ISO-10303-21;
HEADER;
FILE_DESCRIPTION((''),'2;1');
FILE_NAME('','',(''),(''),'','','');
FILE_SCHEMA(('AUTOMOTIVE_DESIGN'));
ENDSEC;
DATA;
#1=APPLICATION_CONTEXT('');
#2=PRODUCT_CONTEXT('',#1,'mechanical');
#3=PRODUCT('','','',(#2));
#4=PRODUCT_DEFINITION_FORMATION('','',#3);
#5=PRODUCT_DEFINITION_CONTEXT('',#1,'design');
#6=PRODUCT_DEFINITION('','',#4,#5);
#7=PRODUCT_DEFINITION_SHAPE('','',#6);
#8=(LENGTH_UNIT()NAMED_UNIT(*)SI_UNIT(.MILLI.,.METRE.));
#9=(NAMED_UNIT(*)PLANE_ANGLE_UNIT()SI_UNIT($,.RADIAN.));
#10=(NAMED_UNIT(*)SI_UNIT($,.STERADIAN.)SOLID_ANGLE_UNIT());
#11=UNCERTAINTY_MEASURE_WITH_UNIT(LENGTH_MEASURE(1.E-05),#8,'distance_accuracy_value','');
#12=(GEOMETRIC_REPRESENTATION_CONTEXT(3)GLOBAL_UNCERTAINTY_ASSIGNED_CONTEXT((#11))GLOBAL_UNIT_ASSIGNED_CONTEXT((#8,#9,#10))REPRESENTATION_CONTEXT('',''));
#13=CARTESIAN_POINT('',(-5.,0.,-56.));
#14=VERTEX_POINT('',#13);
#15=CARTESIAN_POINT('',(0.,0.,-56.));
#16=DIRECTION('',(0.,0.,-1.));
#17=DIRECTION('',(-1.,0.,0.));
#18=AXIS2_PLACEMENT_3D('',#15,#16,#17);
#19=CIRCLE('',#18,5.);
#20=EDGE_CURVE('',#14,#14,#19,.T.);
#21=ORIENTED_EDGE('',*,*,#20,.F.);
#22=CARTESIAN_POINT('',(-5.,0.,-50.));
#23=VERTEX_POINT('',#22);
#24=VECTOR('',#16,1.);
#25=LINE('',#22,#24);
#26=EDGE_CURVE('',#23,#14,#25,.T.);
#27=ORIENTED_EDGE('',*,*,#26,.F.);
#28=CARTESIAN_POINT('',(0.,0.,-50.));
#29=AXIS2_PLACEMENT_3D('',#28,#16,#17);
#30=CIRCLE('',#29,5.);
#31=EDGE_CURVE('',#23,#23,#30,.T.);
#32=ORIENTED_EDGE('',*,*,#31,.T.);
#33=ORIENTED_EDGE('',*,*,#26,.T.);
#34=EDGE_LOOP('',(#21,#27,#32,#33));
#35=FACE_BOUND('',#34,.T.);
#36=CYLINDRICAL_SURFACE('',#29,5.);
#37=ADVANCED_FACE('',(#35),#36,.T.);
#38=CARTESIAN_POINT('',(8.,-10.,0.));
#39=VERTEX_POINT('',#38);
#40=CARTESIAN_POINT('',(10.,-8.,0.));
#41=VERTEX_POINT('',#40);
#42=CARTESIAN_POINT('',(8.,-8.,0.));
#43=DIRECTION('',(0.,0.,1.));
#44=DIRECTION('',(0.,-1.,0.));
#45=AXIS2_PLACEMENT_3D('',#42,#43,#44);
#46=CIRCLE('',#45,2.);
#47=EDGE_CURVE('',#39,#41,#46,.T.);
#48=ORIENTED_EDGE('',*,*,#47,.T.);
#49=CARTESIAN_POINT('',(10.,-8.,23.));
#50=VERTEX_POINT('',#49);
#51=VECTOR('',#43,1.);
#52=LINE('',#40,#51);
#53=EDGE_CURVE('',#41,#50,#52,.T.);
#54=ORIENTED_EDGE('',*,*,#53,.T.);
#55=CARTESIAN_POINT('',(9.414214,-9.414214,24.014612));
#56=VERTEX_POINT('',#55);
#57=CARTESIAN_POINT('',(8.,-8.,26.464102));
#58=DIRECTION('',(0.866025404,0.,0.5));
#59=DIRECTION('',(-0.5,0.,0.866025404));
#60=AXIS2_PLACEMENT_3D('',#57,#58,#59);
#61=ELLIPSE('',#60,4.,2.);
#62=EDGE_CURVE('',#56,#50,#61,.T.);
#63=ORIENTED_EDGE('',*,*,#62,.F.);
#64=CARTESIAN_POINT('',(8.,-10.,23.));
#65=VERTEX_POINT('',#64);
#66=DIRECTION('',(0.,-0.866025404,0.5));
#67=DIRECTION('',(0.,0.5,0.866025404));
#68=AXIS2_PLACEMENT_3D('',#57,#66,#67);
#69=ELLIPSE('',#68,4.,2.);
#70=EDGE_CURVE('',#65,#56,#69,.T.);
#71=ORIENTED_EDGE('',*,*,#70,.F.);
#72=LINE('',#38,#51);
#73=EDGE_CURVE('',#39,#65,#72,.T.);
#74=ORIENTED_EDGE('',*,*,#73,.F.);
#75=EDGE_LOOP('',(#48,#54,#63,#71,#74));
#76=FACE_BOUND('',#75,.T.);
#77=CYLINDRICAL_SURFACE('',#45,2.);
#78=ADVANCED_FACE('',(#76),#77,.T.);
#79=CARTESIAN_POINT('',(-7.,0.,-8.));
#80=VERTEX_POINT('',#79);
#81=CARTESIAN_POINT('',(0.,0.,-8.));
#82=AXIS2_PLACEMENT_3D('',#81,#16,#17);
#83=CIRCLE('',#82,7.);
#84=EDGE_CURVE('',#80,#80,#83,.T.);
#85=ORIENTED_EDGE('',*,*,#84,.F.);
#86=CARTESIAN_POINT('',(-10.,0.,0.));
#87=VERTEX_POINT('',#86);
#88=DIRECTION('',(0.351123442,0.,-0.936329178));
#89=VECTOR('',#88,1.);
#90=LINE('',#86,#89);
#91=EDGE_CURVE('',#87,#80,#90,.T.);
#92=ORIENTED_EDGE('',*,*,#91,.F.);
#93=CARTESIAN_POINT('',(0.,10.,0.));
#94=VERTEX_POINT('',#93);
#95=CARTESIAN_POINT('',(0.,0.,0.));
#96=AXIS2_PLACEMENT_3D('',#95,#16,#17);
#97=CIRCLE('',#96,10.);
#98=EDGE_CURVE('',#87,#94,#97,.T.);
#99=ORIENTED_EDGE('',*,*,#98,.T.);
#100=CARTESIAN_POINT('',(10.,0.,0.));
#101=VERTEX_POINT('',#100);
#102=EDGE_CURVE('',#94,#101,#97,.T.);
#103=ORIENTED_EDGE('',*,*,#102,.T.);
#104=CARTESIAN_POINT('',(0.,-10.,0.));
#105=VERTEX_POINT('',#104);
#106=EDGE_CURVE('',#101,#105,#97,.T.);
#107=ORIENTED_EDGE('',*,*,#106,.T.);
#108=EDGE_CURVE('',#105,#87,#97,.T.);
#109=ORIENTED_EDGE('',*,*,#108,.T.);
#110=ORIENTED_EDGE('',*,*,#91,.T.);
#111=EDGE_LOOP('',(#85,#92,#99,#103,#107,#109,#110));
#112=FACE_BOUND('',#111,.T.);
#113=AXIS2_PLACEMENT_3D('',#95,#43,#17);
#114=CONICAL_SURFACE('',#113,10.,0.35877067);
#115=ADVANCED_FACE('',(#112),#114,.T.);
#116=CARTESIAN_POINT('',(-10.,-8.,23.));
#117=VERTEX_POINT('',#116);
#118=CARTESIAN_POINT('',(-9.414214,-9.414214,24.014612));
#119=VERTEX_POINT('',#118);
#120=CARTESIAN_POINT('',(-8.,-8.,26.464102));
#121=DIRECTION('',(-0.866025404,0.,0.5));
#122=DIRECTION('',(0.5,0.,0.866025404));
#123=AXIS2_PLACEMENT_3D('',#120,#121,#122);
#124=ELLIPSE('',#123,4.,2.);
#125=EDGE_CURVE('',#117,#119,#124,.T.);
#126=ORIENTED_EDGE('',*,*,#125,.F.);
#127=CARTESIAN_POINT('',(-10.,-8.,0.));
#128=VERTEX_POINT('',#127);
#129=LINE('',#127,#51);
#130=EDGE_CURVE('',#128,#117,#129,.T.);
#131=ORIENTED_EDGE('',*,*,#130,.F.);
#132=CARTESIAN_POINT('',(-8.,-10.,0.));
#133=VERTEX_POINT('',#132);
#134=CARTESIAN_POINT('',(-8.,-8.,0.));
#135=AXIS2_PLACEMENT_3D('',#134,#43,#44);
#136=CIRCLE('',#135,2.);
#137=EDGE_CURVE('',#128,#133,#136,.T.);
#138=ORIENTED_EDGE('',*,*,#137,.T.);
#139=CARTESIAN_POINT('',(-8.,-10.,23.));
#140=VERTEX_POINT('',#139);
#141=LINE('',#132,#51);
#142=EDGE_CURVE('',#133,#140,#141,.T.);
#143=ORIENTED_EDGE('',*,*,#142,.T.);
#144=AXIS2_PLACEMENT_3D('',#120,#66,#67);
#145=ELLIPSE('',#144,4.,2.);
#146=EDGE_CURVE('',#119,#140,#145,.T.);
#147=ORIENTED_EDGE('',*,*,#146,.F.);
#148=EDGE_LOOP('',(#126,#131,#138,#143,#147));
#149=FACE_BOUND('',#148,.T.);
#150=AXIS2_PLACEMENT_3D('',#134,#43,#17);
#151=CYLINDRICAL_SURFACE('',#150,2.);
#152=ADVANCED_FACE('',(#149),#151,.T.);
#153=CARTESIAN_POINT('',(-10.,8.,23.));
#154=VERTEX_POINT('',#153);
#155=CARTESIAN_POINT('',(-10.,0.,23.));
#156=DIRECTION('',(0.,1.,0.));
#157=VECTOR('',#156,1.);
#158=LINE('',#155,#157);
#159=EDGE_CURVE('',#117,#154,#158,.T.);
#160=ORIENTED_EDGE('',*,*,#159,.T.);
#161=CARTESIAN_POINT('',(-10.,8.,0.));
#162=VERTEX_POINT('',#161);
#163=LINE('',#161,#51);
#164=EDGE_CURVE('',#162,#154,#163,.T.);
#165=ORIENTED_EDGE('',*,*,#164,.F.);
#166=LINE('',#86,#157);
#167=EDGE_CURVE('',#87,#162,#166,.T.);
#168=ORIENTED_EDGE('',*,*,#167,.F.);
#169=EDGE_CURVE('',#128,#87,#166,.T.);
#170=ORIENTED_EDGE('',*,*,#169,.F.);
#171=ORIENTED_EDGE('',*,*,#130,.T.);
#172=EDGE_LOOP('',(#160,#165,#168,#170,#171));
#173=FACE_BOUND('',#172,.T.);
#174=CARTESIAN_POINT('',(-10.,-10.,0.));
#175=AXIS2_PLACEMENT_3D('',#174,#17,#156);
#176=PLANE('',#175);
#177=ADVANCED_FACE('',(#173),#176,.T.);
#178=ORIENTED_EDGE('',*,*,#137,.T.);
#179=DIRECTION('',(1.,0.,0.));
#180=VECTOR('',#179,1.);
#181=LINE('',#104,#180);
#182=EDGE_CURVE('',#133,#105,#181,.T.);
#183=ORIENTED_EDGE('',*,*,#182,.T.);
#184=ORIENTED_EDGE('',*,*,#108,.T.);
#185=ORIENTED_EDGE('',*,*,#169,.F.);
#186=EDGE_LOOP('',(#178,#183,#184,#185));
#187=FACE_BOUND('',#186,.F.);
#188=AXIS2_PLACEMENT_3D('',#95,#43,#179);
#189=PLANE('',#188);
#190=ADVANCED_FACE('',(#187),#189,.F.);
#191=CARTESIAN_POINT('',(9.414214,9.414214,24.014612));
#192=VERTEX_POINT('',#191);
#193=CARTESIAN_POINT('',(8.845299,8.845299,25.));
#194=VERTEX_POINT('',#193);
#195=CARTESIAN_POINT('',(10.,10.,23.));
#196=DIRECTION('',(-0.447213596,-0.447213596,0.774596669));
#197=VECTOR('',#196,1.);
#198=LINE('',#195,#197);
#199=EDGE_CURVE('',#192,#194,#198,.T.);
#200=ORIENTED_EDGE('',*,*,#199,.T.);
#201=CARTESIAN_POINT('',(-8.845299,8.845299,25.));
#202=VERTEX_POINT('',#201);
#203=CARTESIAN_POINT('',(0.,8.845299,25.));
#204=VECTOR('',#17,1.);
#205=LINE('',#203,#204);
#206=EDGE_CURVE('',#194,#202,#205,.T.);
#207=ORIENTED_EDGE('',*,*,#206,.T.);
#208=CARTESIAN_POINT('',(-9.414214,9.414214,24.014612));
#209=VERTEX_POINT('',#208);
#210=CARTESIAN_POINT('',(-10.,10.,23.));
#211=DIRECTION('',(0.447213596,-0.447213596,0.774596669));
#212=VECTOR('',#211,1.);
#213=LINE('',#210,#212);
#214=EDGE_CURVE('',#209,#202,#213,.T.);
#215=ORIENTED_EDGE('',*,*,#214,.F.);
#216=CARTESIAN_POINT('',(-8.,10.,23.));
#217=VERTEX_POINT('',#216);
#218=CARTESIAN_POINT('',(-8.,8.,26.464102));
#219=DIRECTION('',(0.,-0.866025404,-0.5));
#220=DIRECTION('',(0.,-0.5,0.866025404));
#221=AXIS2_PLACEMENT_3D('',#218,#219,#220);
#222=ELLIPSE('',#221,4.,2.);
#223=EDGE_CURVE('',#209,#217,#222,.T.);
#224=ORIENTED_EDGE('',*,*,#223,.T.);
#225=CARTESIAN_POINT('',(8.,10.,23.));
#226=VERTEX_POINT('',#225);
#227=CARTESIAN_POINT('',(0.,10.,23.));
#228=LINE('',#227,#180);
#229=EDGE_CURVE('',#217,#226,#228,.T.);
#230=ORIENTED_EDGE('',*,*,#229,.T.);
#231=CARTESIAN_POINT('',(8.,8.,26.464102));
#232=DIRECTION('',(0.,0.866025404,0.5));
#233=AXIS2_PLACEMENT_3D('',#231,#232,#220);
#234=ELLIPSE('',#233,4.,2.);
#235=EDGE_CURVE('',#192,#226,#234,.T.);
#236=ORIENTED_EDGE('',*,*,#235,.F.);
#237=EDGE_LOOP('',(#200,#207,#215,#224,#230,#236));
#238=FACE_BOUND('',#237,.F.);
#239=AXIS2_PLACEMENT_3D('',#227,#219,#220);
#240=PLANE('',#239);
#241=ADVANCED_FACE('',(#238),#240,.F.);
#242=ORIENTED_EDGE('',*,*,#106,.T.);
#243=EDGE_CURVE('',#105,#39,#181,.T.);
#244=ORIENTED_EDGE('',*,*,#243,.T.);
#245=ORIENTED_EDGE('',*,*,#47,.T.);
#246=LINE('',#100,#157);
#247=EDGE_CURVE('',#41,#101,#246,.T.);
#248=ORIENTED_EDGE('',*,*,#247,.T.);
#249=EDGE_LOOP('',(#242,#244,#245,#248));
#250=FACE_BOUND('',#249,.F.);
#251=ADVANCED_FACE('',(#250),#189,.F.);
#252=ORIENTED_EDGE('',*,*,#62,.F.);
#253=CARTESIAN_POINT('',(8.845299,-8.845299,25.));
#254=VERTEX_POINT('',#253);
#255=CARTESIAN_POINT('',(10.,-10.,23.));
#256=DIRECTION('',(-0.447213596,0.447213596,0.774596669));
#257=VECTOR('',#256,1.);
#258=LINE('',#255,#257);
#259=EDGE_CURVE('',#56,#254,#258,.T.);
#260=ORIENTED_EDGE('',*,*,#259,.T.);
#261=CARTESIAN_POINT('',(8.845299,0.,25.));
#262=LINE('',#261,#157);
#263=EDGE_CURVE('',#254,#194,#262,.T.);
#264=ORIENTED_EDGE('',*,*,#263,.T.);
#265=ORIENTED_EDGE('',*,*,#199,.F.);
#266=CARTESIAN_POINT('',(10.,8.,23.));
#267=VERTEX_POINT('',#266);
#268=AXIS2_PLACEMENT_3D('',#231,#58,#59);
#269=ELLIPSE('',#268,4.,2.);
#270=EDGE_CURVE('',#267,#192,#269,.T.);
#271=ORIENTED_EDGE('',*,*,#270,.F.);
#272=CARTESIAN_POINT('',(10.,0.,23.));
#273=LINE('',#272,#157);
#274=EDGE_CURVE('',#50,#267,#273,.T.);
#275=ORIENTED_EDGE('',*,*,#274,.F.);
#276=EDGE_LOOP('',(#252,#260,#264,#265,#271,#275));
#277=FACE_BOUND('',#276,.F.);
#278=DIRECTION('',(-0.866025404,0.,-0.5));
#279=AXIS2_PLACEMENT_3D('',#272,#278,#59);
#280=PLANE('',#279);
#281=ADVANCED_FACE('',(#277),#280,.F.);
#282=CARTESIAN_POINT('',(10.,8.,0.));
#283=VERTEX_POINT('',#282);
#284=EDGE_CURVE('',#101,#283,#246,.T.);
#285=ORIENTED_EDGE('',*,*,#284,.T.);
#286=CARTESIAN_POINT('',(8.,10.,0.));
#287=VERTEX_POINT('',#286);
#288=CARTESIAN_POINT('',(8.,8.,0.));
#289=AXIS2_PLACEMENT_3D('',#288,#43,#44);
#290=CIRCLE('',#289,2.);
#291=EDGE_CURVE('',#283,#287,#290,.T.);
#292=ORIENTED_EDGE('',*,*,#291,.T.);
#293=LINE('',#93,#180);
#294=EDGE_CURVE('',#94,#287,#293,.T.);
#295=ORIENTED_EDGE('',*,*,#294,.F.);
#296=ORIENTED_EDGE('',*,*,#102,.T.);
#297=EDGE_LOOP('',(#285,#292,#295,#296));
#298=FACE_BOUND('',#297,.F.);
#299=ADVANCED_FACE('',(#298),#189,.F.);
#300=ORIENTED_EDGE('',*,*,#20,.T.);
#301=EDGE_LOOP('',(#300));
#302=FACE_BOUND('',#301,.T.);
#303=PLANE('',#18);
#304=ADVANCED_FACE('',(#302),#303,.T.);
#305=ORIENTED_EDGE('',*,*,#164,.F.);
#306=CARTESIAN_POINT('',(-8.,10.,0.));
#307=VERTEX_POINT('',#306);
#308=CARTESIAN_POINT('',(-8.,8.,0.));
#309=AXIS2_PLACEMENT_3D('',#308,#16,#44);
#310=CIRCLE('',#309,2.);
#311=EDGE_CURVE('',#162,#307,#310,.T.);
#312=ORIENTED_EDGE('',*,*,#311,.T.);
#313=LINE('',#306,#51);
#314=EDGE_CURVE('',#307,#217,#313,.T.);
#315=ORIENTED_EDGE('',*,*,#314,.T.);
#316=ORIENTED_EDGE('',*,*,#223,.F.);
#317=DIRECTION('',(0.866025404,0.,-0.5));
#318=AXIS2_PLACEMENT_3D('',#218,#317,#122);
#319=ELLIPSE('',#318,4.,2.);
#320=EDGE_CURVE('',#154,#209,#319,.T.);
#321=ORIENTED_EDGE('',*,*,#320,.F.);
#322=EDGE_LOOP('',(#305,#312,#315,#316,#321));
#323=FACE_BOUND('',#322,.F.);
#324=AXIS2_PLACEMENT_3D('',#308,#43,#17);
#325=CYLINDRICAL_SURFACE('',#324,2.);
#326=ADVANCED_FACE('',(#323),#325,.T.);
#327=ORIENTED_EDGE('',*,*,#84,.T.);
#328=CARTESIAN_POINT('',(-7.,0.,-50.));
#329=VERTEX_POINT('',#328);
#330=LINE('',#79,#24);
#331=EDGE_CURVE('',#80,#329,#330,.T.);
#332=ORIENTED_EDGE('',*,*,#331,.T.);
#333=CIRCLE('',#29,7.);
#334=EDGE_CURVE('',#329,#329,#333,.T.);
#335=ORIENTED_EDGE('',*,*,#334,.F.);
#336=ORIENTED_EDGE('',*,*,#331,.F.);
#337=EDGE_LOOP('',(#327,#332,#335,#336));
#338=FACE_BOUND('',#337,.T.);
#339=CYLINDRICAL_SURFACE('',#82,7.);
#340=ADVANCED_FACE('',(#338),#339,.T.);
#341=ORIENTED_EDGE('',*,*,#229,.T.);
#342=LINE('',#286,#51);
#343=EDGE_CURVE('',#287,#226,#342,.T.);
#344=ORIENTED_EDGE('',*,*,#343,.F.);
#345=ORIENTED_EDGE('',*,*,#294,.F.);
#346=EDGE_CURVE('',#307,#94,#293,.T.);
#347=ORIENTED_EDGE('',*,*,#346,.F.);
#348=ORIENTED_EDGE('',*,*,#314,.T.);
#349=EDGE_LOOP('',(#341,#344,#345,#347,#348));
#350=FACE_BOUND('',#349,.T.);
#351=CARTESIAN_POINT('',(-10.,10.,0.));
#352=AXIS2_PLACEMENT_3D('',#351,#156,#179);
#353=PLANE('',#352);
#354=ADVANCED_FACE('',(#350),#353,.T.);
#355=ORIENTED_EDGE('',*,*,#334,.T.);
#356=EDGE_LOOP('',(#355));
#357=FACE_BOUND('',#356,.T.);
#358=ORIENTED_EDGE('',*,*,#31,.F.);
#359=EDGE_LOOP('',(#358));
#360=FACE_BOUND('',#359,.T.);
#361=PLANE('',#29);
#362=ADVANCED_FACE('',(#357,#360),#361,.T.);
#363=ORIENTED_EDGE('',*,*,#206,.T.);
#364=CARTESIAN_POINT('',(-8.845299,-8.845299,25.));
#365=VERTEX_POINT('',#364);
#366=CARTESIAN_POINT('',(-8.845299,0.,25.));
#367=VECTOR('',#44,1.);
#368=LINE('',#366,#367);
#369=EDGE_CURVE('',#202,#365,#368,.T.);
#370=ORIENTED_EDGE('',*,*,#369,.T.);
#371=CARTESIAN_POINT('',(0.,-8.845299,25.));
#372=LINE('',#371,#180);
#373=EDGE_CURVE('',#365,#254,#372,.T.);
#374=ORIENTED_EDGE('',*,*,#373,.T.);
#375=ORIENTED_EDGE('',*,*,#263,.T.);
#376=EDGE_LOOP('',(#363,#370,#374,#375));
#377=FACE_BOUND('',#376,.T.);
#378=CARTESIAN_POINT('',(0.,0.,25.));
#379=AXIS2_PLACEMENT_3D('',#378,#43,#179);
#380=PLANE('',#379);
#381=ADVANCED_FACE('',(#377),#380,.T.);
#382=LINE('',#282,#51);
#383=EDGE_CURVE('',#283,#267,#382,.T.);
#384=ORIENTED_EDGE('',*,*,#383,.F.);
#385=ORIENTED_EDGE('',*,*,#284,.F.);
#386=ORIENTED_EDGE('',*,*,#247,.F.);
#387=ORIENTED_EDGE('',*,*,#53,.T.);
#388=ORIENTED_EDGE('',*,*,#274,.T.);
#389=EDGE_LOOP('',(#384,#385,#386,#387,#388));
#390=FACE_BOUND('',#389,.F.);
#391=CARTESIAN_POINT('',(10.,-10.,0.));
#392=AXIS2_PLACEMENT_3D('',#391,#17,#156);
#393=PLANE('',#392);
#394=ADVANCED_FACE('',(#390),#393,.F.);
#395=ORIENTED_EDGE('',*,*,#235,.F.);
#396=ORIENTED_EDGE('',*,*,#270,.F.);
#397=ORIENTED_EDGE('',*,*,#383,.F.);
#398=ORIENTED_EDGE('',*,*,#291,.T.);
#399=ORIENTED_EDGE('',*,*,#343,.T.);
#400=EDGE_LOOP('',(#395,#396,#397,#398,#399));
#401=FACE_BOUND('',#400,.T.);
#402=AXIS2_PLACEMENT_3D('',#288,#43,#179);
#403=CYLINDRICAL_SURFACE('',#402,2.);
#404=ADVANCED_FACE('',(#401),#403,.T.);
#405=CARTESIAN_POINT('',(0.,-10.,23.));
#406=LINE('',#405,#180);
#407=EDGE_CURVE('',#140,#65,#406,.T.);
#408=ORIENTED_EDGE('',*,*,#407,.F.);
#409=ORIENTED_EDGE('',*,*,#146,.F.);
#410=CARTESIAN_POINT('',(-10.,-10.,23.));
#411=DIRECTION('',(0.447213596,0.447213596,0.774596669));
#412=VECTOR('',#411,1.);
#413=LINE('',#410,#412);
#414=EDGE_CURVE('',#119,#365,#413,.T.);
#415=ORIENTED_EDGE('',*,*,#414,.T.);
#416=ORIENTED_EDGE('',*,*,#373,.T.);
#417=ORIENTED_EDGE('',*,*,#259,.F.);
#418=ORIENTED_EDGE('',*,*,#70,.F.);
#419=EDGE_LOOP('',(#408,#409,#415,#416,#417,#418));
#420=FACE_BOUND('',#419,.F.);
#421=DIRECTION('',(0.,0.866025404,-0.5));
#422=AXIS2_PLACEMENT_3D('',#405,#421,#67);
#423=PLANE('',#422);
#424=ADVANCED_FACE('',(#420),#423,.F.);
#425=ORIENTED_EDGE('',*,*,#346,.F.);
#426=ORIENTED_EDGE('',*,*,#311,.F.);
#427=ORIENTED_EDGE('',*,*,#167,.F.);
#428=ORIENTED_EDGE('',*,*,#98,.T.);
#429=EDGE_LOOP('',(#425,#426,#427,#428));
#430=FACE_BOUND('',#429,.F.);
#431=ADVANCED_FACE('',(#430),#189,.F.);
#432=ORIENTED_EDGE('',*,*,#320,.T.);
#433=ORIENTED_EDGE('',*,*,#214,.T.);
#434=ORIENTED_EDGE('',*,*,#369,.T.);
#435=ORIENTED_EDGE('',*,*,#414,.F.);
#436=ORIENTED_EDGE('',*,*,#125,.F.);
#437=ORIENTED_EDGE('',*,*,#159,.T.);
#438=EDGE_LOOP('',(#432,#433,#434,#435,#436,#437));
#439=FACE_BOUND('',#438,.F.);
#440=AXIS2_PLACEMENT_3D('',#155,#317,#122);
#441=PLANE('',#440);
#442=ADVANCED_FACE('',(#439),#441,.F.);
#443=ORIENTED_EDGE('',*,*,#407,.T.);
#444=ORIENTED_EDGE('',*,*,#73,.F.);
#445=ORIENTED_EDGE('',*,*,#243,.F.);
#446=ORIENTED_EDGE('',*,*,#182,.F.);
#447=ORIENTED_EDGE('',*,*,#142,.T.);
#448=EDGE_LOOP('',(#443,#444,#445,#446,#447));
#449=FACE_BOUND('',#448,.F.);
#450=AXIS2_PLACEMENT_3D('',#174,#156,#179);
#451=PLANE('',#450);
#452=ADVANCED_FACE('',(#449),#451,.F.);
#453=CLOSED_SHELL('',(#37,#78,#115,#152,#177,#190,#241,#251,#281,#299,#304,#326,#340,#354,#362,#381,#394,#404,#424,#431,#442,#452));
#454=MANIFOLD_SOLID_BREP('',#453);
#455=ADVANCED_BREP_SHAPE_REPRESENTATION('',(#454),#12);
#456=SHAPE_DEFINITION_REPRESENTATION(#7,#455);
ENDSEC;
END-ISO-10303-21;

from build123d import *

# Parameters (mm, degrees)
F0_W     = 20
F0_H     = 20
F1_DEPTH = 23
F2_W     = 20
F2_H     = 20
F3_DEPTH = 2
F3_TAPER = 30
F6_R     = 2


with BuildPart() as f1:
    # F0 (on Top) → F1 (new body)
    with BuildSketch(Plane.XY):
        Rectangle(F0_W, F0_H)
    extrude(amount=F1_DEPTH)

    # F2 (on face) → F3 (join)
    with BuildSketch(Plane.XY.offset(23)):
        Rectangle(F2_W, F2_H)
    extrude(amount=F3_DEPTH, taper=F3_TAPER)

    # F4 (on Front) → F5 (revolve)
    with BuildSketch(Plane.XZ):
        Polygon((0, -56), (0, 0), (-10, 0), (-7, -8), (-7, -50), (-5, -50), (-5, -56), align=None)
    revolve(axis=Axis((0, 0, -28), (0, 0, -1)))

    # F6
    f6_edges = [f1.edges().sort_by_distance(p)[0] for p in [
        (-10, 10, 11.5),
        (-10, -10, 11.5),
        (10, -10, 11.5),
        (10, 10, 11.5),
    ]]
    fillet(f6_edges, radius=F6_R)


solid = f1.part
